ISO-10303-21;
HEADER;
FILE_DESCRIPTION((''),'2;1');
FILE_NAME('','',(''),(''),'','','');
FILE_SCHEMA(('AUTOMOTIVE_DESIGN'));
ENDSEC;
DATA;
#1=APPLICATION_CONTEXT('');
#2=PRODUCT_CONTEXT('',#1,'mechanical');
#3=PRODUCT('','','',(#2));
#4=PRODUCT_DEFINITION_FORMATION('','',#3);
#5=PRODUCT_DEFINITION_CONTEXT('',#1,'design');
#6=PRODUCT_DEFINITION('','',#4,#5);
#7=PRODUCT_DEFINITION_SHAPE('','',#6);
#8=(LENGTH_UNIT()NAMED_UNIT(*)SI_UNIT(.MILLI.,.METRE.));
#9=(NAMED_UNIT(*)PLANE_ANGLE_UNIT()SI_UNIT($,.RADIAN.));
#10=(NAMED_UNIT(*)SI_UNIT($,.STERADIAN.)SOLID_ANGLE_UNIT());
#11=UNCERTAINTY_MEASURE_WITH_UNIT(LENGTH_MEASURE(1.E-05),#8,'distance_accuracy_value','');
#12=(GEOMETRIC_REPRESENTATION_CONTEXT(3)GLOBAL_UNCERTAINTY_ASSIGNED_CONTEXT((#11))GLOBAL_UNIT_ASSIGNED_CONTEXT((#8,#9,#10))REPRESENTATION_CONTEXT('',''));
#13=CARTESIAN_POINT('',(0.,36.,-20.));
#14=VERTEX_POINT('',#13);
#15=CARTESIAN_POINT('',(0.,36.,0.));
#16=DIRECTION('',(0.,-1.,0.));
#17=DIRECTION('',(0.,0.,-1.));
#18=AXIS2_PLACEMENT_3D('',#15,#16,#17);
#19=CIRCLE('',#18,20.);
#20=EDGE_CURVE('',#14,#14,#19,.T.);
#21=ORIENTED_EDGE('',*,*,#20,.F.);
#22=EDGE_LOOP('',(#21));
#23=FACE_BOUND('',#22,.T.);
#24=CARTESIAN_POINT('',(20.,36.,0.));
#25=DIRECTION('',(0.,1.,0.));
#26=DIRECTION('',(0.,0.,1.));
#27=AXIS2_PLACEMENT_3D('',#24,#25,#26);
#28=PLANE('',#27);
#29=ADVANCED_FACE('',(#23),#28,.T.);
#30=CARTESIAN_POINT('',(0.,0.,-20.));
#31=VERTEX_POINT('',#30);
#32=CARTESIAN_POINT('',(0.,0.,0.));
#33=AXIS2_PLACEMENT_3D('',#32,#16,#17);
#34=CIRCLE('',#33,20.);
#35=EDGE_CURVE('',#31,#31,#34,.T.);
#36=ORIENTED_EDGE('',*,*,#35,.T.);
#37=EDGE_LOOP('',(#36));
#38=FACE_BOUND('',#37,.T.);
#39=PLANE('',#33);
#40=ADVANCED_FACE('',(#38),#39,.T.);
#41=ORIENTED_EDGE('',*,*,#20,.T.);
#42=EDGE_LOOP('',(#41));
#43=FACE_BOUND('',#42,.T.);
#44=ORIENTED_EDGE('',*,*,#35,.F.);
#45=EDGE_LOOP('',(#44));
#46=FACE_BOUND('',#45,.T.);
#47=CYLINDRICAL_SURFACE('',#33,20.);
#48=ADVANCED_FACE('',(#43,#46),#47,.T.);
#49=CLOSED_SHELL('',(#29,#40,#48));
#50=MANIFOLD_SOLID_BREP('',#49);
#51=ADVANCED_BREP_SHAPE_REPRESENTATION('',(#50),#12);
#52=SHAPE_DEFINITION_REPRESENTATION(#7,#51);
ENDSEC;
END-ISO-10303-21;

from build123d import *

# Parameters (mm, degrees)
ESBO_O1_W = 20
ESBO_O1_H = 36


with BuildPart() as part:
    # Esboço1 → Revolução1 (revolve)
    with BuildSketch(Plane.XY, mode=Mode.PRIVATE) as revolu_o1_sk:
        with Locations((10, 18)):
            Rectangle(ESBO_O1_W, ESBO_O1_H)
    revolve(revolu_o1_sk.sketch.rotate(Axis((0, 0, 0), (0, 1, 0)), 90), axis=Axis((0, 0, 0), (0, 1, 0)))


solid = part.part
